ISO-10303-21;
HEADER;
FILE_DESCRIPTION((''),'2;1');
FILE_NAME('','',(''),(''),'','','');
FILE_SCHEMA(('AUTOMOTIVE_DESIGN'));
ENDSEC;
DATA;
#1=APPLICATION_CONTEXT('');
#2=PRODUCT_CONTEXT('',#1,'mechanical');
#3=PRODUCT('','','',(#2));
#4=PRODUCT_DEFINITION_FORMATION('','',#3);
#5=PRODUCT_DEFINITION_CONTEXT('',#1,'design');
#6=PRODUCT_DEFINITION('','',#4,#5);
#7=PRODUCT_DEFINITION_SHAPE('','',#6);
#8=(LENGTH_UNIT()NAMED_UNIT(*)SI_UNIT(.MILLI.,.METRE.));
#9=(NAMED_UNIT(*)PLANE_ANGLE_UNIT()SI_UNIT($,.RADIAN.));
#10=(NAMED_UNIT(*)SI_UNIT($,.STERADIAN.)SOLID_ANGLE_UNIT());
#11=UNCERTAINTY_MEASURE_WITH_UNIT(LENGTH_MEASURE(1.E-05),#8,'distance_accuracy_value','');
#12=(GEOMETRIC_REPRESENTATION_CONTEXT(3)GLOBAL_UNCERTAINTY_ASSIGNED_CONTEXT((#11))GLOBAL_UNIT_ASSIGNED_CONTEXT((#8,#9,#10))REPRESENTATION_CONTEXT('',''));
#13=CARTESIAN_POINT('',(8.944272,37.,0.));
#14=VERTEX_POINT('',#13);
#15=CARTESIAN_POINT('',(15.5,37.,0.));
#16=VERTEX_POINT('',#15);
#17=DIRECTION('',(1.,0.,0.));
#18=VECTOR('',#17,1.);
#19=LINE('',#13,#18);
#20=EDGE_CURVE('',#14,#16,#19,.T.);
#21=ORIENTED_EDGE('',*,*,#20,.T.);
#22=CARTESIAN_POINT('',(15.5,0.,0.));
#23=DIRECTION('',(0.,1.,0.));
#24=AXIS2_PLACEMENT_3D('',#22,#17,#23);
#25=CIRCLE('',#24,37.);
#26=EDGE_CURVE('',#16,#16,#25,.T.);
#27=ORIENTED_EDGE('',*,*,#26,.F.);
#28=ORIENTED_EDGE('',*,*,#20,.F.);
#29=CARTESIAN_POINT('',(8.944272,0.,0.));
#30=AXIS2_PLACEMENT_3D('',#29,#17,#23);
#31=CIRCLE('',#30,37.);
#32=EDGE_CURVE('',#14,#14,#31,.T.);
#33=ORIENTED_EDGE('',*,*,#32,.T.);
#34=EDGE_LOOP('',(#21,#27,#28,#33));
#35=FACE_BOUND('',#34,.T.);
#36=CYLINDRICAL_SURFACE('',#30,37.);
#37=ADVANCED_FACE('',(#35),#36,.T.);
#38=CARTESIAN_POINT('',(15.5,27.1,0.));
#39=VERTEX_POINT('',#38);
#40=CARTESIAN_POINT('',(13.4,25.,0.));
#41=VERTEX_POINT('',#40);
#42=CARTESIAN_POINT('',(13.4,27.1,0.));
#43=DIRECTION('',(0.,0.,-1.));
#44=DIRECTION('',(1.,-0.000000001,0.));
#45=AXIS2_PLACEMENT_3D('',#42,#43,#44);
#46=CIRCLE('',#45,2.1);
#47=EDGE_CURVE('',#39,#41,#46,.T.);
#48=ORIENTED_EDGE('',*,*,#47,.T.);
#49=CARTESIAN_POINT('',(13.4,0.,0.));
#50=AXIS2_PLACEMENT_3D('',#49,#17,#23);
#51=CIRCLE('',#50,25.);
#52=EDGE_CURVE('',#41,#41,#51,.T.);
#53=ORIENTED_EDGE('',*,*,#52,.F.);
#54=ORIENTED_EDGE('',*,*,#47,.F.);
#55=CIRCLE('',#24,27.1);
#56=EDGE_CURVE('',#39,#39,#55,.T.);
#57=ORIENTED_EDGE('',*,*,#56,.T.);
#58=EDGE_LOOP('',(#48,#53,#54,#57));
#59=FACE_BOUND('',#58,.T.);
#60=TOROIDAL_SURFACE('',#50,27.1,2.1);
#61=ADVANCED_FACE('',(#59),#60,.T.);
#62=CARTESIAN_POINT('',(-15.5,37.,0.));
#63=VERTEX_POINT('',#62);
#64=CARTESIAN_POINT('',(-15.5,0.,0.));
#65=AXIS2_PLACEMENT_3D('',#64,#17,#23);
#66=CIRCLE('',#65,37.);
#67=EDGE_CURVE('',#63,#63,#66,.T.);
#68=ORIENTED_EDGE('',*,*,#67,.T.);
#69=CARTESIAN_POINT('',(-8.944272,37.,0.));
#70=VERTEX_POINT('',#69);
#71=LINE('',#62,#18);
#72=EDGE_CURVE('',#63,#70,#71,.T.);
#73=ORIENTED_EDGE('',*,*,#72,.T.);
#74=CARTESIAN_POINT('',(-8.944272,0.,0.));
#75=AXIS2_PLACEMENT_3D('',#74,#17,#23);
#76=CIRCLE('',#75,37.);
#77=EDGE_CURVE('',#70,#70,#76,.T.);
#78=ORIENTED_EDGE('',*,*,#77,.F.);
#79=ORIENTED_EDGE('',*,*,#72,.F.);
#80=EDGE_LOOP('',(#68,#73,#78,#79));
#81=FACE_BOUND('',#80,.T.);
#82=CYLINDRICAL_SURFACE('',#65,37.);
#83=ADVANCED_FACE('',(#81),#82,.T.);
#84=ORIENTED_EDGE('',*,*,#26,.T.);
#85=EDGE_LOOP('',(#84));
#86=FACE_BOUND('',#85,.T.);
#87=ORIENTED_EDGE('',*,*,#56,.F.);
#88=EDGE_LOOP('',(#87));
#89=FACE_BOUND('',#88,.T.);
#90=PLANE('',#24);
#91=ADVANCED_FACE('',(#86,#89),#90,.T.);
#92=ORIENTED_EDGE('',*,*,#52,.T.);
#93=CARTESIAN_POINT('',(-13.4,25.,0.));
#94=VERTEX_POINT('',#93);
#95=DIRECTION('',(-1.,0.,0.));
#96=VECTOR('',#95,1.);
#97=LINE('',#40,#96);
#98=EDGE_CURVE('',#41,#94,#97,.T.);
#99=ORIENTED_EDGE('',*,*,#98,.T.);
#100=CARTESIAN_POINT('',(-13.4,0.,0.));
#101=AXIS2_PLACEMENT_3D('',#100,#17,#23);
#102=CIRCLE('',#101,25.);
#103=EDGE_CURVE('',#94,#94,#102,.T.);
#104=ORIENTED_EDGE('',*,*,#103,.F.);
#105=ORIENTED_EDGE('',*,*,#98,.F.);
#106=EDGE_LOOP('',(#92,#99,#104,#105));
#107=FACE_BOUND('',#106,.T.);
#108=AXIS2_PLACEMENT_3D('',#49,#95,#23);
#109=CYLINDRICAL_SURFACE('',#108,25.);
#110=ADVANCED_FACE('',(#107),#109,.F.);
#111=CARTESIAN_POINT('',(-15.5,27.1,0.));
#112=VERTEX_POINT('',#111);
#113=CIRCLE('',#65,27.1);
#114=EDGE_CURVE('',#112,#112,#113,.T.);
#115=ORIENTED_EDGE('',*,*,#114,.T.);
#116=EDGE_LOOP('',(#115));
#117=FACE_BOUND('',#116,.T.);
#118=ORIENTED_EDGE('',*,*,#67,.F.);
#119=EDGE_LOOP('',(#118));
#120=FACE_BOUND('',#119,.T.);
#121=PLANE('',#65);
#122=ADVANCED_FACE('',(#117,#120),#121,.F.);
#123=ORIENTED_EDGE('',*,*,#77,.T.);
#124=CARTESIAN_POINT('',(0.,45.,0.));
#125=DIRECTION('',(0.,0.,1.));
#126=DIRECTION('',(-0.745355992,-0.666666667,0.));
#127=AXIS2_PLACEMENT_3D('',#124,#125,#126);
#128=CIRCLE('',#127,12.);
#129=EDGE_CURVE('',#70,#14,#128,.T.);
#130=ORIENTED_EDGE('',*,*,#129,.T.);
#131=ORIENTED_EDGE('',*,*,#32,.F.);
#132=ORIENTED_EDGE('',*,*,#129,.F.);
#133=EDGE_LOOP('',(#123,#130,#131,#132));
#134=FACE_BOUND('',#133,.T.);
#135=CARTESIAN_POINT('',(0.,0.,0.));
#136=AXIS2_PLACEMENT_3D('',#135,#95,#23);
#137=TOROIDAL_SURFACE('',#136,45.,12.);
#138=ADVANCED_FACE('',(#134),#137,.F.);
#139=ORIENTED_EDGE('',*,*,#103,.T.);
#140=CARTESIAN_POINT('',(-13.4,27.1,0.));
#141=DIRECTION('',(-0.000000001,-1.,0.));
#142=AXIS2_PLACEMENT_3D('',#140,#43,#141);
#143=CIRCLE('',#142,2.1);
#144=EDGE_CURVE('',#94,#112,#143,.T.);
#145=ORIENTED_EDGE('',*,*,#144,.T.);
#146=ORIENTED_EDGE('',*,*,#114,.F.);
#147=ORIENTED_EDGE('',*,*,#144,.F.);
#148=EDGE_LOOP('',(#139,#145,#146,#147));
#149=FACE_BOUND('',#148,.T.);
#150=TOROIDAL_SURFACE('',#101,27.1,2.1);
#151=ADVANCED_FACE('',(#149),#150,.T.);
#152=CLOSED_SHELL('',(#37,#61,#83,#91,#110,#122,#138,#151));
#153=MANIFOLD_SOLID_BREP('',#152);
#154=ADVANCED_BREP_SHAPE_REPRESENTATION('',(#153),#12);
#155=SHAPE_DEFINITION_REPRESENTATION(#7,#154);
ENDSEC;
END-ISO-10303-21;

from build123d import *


with BuildPart() as part:
    # Sketch1 → Revolve1 (revolve)
    with BuildSketch(Plane.XY):
        with BuildLine():
            Line((13.4, 25), (-13.4, 25))
            ThreePointArc((-13.4, 25), (-14.88492424, 25.61507576), (-15.5, 27.1))
            Line((-15.5, 27.1), (-15.5, 37))
            Line((-15.5, 37), (-8.94427191, 37))
            ThreePointArc((-8.94427191, 37), (0, 33), (8.94427191, 37))
            Line((8.94427191, 37), (15.5, 37))
            Line((15.5, 37), (15.5, 27.1))
            ThreePointArc((15.5, 27.1), (14.88492424, 25.61507576), (13.4, 25))
        make_face()
    revolve(axis=Axis((-15.5, 0, 0), (1, 0, 0)))


solid = part.part
